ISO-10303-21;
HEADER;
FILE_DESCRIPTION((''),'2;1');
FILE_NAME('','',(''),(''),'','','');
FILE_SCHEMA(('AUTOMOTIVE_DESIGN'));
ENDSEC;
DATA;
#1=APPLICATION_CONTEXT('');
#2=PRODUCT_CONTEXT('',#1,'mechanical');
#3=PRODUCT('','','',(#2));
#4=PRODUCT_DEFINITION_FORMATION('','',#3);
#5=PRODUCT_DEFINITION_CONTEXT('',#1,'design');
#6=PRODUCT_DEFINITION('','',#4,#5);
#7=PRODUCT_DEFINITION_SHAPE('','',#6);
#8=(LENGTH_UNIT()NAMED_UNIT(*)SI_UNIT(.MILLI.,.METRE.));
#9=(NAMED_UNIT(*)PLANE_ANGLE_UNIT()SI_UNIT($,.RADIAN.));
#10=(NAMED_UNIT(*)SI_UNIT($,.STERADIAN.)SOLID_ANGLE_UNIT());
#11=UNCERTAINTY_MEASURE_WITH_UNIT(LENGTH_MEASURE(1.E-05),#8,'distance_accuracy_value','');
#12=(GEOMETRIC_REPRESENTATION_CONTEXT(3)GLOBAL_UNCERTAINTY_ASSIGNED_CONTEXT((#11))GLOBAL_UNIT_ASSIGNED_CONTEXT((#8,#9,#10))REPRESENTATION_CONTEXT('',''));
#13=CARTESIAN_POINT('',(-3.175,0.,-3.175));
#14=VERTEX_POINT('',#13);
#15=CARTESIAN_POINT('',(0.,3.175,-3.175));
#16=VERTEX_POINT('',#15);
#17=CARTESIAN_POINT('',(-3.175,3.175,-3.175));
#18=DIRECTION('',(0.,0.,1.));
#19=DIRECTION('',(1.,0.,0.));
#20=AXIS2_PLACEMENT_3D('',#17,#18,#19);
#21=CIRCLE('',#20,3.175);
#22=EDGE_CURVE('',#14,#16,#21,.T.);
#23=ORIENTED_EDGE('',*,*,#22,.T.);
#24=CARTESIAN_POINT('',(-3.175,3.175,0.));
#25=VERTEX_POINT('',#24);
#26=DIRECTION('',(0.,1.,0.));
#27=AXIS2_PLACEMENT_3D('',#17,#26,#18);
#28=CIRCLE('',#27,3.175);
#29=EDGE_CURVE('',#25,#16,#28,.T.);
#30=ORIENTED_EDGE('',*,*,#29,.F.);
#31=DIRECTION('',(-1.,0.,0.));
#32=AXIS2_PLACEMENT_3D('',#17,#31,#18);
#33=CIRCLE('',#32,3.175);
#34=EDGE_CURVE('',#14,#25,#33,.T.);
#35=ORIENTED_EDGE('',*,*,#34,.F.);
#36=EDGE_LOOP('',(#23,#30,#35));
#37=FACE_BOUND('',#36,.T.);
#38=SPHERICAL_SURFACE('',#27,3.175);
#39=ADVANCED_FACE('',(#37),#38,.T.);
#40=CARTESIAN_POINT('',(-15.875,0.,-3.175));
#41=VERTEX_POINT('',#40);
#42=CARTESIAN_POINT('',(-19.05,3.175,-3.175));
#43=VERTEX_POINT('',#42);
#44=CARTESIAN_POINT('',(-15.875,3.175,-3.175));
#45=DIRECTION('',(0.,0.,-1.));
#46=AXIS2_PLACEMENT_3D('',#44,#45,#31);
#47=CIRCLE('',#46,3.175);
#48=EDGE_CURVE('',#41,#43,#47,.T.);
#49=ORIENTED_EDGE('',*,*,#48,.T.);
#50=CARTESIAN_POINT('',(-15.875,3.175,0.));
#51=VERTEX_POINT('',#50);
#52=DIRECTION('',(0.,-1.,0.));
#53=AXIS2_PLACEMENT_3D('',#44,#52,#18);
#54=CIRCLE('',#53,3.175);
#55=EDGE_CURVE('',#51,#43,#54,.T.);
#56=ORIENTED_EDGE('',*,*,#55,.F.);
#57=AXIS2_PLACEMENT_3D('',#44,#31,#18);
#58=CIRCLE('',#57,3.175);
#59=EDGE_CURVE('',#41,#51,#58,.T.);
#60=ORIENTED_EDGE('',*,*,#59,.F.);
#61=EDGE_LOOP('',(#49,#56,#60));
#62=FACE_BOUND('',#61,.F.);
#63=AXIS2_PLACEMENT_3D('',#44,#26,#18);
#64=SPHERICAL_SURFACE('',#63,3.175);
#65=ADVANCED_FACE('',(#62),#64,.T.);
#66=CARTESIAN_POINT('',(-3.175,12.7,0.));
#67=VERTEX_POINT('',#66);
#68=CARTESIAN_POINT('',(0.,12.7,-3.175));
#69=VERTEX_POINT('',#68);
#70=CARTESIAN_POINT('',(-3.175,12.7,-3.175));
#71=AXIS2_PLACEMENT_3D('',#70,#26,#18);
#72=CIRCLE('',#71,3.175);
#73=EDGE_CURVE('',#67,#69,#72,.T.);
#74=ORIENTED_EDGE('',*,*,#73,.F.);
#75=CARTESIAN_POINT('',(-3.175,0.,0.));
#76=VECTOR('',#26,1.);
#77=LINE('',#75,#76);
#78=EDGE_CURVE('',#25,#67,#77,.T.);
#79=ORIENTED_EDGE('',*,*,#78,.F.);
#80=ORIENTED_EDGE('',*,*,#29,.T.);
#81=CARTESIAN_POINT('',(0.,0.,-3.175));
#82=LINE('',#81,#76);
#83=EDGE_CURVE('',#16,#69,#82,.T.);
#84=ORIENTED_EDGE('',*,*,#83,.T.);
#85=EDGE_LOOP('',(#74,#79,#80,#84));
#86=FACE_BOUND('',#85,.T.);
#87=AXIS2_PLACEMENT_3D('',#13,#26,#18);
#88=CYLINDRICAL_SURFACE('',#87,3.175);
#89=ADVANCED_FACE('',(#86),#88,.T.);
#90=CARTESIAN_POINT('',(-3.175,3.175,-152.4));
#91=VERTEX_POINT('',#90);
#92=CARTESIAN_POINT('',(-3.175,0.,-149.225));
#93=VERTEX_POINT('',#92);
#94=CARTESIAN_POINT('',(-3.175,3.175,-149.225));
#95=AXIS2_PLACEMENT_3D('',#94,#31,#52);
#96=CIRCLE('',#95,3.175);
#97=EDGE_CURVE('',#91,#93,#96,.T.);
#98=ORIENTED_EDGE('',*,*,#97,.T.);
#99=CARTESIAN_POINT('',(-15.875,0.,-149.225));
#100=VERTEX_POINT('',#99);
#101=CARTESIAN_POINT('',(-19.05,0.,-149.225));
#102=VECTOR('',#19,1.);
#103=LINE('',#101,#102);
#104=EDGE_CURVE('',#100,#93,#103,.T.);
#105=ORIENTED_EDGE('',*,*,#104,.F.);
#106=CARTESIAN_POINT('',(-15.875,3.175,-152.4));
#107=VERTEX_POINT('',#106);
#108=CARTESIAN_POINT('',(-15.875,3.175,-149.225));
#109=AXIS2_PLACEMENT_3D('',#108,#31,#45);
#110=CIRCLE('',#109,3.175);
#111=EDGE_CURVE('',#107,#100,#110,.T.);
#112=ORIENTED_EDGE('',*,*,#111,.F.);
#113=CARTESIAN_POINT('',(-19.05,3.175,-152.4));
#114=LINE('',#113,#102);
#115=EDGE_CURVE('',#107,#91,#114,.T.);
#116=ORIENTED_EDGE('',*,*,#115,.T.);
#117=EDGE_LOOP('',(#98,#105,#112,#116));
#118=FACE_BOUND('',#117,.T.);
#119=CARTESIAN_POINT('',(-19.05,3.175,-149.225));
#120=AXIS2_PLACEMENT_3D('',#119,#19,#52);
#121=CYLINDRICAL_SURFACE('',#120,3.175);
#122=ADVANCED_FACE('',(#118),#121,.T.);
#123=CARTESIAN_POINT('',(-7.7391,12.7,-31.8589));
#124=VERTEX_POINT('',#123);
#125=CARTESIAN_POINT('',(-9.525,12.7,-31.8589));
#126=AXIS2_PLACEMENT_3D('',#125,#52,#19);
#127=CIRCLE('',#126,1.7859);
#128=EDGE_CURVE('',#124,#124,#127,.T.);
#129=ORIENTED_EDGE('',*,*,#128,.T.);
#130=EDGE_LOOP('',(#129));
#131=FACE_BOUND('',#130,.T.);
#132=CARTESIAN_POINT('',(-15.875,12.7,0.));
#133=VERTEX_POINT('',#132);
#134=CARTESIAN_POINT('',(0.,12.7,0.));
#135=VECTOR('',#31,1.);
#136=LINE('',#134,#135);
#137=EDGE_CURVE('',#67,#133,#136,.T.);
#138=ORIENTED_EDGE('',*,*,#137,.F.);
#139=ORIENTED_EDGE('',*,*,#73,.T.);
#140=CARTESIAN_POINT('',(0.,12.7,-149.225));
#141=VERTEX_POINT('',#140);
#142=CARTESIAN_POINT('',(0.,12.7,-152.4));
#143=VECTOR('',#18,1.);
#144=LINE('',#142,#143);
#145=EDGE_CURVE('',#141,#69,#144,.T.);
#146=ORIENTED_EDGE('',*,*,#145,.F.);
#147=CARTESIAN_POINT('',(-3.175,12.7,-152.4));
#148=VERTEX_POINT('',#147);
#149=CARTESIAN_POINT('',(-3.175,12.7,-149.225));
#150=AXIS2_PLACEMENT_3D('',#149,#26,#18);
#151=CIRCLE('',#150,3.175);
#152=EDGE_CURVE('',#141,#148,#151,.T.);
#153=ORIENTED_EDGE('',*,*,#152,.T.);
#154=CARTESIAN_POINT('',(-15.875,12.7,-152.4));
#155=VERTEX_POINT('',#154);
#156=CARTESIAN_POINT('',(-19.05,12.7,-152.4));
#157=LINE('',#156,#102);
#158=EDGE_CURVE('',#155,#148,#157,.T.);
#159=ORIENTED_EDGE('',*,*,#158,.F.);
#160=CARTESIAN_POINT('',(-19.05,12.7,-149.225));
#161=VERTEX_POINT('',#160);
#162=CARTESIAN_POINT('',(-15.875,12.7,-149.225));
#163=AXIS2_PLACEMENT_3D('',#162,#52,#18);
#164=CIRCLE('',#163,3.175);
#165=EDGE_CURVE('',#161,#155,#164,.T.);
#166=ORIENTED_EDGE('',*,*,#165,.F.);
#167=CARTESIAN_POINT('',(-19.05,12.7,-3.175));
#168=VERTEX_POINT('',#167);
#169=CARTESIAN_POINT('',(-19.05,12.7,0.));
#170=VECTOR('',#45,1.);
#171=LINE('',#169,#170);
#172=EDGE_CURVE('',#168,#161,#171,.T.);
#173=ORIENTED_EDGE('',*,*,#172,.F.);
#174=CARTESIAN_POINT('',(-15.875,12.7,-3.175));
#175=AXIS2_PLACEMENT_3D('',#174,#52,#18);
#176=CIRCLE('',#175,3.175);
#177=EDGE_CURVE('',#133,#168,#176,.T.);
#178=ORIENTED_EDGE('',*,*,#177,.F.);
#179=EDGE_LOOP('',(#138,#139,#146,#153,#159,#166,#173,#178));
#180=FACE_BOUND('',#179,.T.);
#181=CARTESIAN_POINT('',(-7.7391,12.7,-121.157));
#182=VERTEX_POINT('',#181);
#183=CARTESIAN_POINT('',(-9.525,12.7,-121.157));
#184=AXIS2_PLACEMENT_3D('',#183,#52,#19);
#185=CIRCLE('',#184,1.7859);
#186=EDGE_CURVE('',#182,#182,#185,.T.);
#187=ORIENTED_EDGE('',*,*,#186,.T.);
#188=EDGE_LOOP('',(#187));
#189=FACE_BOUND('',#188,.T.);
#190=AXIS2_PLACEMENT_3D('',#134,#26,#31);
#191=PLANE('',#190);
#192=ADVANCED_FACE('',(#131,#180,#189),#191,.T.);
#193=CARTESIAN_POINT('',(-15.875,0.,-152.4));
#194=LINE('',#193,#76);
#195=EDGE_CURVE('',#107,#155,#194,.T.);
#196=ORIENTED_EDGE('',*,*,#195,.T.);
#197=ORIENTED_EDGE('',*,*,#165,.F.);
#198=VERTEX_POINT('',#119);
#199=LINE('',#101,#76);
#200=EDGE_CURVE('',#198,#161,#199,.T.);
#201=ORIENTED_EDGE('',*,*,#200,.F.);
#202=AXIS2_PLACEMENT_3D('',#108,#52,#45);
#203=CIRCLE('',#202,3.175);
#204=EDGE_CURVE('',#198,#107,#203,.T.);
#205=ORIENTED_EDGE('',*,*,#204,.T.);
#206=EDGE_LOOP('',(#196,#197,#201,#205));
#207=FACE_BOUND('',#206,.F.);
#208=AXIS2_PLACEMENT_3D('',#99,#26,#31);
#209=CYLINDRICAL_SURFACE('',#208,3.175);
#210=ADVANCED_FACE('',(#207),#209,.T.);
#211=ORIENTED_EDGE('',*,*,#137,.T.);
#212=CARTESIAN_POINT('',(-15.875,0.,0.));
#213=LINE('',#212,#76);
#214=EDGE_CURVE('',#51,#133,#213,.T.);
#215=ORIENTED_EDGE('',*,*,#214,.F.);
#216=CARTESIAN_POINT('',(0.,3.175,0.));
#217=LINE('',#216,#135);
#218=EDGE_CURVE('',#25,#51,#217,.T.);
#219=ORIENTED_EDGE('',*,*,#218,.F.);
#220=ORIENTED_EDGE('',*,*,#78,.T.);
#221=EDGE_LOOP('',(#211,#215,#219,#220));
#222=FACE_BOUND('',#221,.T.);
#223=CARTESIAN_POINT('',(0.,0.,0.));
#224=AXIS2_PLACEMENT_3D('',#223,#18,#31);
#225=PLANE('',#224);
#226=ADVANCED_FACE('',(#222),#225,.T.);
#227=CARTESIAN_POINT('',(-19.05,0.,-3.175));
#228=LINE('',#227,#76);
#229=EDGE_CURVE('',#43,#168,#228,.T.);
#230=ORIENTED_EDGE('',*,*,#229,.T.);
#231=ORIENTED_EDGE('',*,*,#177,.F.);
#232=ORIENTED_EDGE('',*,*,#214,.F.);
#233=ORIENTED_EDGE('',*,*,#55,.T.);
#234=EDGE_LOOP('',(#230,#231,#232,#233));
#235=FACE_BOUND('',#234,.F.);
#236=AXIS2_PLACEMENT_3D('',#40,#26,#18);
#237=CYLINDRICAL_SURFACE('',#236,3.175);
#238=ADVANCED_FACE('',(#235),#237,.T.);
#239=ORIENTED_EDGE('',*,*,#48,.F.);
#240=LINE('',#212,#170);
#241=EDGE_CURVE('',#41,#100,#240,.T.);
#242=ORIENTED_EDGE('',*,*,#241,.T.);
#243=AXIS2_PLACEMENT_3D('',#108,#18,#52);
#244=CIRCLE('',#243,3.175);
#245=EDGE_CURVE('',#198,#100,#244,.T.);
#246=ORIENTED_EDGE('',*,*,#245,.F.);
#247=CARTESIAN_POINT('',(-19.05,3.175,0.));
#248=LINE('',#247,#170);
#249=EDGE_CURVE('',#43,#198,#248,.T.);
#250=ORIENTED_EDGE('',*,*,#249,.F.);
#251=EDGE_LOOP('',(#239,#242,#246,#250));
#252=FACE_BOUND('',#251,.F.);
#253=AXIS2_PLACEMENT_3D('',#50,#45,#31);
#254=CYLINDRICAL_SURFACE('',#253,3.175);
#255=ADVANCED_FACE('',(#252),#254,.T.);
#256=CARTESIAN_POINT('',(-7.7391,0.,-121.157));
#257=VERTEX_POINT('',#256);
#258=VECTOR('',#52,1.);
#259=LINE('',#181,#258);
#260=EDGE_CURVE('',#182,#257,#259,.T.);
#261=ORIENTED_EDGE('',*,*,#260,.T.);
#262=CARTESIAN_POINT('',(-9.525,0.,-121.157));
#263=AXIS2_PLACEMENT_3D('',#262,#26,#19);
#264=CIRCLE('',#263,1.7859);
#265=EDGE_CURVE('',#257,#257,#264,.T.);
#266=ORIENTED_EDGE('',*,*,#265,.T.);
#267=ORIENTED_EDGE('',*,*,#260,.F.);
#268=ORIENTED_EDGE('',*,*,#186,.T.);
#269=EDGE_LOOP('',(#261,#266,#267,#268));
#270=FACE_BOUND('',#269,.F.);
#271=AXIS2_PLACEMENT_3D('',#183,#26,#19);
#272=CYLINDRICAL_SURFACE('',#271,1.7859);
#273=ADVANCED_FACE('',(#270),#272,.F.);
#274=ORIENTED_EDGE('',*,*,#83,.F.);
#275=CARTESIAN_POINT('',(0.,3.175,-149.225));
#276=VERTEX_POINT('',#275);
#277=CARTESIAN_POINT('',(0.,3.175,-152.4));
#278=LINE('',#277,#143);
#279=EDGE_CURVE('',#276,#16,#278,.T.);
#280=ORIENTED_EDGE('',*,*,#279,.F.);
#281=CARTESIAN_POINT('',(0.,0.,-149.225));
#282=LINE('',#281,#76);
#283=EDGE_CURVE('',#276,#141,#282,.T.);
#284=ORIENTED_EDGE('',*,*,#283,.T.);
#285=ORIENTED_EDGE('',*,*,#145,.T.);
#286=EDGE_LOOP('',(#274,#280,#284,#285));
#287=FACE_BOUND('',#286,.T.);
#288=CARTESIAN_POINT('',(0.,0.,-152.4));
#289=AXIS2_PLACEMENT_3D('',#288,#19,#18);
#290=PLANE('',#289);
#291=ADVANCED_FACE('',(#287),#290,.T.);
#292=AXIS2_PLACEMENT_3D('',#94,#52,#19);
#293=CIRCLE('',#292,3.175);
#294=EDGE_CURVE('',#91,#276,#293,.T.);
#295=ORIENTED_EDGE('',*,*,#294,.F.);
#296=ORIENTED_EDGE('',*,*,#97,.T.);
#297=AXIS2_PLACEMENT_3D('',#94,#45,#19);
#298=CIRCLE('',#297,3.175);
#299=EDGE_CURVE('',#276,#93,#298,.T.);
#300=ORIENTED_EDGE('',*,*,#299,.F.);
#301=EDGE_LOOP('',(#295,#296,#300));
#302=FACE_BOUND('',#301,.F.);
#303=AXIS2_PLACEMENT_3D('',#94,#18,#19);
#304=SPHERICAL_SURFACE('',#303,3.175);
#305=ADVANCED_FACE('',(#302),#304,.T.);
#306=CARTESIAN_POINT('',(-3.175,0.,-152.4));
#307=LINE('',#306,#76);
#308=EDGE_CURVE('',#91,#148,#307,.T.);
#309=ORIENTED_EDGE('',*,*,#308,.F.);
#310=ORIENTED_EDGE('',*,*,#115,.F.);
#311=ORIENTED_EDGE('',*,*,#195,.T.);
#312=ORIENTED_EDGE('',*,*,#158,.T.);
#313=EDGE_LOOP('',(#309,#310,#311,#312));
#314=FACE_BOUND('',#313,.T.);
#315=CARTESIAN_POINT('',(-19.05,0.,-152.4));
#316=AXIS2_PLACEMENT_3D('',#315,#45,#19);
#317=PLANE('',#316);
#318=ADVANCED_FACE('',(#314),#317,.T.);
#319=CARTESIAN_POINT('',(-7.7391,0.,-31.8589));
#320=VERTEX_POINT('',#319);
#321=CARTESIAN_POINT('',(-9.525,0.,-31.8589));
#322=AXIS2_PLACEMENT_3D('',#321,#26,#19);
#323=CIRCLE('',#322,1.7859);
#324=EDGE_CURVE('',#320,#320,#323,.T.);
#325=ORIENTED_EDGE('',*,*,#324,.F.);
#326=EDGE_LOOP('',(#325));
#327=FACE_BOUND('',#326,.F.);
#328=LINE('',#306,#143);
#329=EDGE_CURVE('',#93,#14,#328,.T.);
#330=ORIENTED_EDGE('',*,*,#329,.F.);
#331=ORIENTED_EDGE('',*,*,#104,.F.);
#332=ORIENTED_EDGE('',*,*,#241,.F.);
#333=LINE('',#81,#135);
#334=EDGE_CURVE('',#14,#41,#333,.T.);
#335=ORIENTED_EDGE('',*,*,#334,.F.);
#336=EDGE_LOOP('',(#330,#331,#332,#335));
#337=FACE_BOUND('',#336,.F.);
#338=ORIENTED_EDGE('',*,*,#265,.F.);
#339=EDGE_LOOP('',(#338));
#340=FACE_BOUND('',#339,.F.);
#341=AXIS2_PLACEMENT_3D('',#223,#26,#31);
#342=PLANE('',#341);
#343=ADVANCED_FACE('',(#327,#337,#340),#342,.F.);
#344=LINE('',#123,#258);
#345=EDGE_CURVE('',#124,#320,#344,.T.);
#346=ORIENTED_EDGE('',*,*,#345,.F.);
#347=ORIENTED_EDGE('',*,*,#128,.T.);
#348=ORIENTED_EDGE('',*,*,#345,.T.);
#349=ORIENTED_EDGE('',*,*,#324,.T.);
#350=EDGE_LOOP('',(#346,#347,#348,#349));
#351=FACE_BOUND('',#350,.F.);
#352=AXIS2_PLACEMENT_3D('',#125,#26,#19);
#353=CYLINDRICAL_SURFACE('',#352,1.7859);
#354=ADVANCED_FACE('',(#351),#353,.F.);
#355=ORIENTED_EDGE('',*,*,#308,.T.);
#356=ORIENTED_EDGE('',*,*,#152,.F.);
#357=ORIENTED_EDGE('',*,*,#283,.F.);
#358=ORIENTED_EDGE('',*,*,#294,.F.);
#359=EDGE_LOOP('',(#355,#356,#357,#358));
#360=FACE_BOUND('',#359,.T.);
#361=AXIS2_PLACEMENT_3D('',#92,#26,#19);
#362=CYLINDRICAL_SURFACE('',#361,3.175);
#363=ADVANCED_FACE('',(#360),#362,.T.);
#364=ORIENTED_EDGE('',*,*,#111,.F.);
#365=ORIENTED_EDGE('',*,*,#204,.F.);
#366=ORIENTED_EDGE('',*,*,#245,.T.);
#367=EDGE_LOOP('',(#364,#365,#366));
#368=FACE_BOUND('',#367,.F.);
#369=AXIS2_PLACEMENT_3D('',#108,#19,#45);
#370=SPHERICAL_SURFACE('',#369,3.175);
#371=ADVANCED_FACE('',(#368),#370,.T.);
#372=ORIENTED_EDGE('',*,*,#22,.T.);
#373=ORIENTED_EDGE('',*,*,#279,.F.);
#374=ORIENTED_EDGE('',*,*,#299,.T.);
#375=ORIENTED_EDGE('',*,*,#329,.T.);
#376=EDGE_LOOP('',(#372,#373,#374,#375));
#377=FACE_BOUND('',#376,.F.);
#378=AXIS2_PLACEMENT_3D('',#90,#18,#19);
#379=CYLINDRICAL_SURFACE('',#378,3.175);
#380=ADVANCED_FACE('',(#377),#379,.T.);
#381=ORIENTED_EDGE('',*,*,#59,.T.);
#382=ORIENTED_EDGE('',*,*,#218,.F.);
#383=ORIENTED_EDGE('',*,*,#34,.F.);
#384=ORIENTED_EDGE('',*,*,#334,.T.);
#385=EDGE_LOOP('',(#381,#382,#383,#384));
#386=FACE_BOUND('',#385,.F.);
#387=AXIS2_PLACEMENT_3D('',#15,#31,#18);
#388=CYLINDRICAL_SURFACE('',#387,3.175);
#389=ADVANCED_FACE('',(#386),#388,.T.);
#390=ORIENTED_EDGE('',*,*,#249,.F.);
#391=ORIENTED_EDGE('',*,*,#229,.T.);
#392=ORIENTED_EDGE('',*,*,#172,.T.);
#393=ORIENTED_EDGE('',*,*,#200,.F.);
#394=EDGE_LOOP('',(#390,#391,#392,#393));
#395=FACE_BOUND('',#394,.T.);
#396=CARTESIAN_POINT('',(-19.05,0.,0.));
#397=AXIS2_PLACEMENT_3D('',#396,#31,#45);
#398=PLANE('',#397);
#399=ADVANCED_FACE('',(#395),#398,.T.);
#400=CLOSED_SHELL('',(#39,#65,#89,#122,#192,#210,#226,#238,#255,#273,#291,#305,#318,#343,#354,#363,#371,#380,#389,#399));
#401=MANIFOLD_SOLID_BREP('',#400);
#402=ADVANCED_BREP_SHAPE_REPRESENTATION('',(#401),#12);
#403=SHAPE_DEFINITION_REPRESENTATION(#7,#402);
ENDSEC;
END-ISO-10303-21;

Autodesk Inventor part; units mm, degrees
ref_plane "YZ Plane" through (0, 0, 0) normal (1, 0, 0) x (0, 1, 0)
ref_plane "XZ Plane" through (0, 0, 0) normal (0, 1, 0) x (-1, 0, 0)
ref_plane "XY Plane" through (0, 0, 0) normal (0, 0, 1) x (1, 0, 0)
sketch "Sketch1" plane through (0, 0, 0) normal (0, 1, 0) x (-1, 0, 0)
  line L0 (0, 0) -> (19.05, 0)
  line L1 (19.05, 0) -> (19.05, -152.4)
  line L2 (19.05, -152.4) -> (0, -152.4)
  line L3 (0, -152.4) -> (0, 0)
  dimension "d0" = 152.4
  dimension "d1" = 19.05
extrude "Extrusion1" add sketch "Sketch1" along normal blind 12.7
sketch "Sketch2" plane through (0, 12.7, 0) normal (0, 1, 0) x (1, 0, 0)
  line L0 (-19.05, 0) -> (0, 0) projected
  line L1 (-19.05, 152.4) -> (-19.05, 0) projected
  line L2 (0, 0) -> (-19.05, 152.4)
  line L3 (0, 0) -> (0, 152.4) projected
  line L4 (-19.05, 0) -> (0, 152.4)
  line L5 (-9.525, 76.2) -> (-9.525, 0)
  line L6 (-9.525, 76.2) -> (-9.525, 152.4)
  line L7 (0, 152.4) -> (-19.05, 152.4) projected
  circle A0 centre (-9.525, 31.8589) radius 1.7859
  circle A1 centre (-9.525, 121.157) radius 1.7859
  dimension "d4" = 3.5719
  dimension "d5" = 3.5719
extrude "Extrusion2" cut sketch "Sketch2" against normal blind 34.925 contours A0 L5 | L5 A0 | A1 L6 | L6 A1
fillet "Fillet1" radius 3.175 8 edges at (0, 6.35, 0) (-19.05, 6.35, 0) (-9.525, 0, 0) (0, 0, -76.2) (0, 6.35, -152.4) (-9.525, 0, -152.4) (-19.05, 6.35, -152.4) (-19.05, 0, -76.2)
